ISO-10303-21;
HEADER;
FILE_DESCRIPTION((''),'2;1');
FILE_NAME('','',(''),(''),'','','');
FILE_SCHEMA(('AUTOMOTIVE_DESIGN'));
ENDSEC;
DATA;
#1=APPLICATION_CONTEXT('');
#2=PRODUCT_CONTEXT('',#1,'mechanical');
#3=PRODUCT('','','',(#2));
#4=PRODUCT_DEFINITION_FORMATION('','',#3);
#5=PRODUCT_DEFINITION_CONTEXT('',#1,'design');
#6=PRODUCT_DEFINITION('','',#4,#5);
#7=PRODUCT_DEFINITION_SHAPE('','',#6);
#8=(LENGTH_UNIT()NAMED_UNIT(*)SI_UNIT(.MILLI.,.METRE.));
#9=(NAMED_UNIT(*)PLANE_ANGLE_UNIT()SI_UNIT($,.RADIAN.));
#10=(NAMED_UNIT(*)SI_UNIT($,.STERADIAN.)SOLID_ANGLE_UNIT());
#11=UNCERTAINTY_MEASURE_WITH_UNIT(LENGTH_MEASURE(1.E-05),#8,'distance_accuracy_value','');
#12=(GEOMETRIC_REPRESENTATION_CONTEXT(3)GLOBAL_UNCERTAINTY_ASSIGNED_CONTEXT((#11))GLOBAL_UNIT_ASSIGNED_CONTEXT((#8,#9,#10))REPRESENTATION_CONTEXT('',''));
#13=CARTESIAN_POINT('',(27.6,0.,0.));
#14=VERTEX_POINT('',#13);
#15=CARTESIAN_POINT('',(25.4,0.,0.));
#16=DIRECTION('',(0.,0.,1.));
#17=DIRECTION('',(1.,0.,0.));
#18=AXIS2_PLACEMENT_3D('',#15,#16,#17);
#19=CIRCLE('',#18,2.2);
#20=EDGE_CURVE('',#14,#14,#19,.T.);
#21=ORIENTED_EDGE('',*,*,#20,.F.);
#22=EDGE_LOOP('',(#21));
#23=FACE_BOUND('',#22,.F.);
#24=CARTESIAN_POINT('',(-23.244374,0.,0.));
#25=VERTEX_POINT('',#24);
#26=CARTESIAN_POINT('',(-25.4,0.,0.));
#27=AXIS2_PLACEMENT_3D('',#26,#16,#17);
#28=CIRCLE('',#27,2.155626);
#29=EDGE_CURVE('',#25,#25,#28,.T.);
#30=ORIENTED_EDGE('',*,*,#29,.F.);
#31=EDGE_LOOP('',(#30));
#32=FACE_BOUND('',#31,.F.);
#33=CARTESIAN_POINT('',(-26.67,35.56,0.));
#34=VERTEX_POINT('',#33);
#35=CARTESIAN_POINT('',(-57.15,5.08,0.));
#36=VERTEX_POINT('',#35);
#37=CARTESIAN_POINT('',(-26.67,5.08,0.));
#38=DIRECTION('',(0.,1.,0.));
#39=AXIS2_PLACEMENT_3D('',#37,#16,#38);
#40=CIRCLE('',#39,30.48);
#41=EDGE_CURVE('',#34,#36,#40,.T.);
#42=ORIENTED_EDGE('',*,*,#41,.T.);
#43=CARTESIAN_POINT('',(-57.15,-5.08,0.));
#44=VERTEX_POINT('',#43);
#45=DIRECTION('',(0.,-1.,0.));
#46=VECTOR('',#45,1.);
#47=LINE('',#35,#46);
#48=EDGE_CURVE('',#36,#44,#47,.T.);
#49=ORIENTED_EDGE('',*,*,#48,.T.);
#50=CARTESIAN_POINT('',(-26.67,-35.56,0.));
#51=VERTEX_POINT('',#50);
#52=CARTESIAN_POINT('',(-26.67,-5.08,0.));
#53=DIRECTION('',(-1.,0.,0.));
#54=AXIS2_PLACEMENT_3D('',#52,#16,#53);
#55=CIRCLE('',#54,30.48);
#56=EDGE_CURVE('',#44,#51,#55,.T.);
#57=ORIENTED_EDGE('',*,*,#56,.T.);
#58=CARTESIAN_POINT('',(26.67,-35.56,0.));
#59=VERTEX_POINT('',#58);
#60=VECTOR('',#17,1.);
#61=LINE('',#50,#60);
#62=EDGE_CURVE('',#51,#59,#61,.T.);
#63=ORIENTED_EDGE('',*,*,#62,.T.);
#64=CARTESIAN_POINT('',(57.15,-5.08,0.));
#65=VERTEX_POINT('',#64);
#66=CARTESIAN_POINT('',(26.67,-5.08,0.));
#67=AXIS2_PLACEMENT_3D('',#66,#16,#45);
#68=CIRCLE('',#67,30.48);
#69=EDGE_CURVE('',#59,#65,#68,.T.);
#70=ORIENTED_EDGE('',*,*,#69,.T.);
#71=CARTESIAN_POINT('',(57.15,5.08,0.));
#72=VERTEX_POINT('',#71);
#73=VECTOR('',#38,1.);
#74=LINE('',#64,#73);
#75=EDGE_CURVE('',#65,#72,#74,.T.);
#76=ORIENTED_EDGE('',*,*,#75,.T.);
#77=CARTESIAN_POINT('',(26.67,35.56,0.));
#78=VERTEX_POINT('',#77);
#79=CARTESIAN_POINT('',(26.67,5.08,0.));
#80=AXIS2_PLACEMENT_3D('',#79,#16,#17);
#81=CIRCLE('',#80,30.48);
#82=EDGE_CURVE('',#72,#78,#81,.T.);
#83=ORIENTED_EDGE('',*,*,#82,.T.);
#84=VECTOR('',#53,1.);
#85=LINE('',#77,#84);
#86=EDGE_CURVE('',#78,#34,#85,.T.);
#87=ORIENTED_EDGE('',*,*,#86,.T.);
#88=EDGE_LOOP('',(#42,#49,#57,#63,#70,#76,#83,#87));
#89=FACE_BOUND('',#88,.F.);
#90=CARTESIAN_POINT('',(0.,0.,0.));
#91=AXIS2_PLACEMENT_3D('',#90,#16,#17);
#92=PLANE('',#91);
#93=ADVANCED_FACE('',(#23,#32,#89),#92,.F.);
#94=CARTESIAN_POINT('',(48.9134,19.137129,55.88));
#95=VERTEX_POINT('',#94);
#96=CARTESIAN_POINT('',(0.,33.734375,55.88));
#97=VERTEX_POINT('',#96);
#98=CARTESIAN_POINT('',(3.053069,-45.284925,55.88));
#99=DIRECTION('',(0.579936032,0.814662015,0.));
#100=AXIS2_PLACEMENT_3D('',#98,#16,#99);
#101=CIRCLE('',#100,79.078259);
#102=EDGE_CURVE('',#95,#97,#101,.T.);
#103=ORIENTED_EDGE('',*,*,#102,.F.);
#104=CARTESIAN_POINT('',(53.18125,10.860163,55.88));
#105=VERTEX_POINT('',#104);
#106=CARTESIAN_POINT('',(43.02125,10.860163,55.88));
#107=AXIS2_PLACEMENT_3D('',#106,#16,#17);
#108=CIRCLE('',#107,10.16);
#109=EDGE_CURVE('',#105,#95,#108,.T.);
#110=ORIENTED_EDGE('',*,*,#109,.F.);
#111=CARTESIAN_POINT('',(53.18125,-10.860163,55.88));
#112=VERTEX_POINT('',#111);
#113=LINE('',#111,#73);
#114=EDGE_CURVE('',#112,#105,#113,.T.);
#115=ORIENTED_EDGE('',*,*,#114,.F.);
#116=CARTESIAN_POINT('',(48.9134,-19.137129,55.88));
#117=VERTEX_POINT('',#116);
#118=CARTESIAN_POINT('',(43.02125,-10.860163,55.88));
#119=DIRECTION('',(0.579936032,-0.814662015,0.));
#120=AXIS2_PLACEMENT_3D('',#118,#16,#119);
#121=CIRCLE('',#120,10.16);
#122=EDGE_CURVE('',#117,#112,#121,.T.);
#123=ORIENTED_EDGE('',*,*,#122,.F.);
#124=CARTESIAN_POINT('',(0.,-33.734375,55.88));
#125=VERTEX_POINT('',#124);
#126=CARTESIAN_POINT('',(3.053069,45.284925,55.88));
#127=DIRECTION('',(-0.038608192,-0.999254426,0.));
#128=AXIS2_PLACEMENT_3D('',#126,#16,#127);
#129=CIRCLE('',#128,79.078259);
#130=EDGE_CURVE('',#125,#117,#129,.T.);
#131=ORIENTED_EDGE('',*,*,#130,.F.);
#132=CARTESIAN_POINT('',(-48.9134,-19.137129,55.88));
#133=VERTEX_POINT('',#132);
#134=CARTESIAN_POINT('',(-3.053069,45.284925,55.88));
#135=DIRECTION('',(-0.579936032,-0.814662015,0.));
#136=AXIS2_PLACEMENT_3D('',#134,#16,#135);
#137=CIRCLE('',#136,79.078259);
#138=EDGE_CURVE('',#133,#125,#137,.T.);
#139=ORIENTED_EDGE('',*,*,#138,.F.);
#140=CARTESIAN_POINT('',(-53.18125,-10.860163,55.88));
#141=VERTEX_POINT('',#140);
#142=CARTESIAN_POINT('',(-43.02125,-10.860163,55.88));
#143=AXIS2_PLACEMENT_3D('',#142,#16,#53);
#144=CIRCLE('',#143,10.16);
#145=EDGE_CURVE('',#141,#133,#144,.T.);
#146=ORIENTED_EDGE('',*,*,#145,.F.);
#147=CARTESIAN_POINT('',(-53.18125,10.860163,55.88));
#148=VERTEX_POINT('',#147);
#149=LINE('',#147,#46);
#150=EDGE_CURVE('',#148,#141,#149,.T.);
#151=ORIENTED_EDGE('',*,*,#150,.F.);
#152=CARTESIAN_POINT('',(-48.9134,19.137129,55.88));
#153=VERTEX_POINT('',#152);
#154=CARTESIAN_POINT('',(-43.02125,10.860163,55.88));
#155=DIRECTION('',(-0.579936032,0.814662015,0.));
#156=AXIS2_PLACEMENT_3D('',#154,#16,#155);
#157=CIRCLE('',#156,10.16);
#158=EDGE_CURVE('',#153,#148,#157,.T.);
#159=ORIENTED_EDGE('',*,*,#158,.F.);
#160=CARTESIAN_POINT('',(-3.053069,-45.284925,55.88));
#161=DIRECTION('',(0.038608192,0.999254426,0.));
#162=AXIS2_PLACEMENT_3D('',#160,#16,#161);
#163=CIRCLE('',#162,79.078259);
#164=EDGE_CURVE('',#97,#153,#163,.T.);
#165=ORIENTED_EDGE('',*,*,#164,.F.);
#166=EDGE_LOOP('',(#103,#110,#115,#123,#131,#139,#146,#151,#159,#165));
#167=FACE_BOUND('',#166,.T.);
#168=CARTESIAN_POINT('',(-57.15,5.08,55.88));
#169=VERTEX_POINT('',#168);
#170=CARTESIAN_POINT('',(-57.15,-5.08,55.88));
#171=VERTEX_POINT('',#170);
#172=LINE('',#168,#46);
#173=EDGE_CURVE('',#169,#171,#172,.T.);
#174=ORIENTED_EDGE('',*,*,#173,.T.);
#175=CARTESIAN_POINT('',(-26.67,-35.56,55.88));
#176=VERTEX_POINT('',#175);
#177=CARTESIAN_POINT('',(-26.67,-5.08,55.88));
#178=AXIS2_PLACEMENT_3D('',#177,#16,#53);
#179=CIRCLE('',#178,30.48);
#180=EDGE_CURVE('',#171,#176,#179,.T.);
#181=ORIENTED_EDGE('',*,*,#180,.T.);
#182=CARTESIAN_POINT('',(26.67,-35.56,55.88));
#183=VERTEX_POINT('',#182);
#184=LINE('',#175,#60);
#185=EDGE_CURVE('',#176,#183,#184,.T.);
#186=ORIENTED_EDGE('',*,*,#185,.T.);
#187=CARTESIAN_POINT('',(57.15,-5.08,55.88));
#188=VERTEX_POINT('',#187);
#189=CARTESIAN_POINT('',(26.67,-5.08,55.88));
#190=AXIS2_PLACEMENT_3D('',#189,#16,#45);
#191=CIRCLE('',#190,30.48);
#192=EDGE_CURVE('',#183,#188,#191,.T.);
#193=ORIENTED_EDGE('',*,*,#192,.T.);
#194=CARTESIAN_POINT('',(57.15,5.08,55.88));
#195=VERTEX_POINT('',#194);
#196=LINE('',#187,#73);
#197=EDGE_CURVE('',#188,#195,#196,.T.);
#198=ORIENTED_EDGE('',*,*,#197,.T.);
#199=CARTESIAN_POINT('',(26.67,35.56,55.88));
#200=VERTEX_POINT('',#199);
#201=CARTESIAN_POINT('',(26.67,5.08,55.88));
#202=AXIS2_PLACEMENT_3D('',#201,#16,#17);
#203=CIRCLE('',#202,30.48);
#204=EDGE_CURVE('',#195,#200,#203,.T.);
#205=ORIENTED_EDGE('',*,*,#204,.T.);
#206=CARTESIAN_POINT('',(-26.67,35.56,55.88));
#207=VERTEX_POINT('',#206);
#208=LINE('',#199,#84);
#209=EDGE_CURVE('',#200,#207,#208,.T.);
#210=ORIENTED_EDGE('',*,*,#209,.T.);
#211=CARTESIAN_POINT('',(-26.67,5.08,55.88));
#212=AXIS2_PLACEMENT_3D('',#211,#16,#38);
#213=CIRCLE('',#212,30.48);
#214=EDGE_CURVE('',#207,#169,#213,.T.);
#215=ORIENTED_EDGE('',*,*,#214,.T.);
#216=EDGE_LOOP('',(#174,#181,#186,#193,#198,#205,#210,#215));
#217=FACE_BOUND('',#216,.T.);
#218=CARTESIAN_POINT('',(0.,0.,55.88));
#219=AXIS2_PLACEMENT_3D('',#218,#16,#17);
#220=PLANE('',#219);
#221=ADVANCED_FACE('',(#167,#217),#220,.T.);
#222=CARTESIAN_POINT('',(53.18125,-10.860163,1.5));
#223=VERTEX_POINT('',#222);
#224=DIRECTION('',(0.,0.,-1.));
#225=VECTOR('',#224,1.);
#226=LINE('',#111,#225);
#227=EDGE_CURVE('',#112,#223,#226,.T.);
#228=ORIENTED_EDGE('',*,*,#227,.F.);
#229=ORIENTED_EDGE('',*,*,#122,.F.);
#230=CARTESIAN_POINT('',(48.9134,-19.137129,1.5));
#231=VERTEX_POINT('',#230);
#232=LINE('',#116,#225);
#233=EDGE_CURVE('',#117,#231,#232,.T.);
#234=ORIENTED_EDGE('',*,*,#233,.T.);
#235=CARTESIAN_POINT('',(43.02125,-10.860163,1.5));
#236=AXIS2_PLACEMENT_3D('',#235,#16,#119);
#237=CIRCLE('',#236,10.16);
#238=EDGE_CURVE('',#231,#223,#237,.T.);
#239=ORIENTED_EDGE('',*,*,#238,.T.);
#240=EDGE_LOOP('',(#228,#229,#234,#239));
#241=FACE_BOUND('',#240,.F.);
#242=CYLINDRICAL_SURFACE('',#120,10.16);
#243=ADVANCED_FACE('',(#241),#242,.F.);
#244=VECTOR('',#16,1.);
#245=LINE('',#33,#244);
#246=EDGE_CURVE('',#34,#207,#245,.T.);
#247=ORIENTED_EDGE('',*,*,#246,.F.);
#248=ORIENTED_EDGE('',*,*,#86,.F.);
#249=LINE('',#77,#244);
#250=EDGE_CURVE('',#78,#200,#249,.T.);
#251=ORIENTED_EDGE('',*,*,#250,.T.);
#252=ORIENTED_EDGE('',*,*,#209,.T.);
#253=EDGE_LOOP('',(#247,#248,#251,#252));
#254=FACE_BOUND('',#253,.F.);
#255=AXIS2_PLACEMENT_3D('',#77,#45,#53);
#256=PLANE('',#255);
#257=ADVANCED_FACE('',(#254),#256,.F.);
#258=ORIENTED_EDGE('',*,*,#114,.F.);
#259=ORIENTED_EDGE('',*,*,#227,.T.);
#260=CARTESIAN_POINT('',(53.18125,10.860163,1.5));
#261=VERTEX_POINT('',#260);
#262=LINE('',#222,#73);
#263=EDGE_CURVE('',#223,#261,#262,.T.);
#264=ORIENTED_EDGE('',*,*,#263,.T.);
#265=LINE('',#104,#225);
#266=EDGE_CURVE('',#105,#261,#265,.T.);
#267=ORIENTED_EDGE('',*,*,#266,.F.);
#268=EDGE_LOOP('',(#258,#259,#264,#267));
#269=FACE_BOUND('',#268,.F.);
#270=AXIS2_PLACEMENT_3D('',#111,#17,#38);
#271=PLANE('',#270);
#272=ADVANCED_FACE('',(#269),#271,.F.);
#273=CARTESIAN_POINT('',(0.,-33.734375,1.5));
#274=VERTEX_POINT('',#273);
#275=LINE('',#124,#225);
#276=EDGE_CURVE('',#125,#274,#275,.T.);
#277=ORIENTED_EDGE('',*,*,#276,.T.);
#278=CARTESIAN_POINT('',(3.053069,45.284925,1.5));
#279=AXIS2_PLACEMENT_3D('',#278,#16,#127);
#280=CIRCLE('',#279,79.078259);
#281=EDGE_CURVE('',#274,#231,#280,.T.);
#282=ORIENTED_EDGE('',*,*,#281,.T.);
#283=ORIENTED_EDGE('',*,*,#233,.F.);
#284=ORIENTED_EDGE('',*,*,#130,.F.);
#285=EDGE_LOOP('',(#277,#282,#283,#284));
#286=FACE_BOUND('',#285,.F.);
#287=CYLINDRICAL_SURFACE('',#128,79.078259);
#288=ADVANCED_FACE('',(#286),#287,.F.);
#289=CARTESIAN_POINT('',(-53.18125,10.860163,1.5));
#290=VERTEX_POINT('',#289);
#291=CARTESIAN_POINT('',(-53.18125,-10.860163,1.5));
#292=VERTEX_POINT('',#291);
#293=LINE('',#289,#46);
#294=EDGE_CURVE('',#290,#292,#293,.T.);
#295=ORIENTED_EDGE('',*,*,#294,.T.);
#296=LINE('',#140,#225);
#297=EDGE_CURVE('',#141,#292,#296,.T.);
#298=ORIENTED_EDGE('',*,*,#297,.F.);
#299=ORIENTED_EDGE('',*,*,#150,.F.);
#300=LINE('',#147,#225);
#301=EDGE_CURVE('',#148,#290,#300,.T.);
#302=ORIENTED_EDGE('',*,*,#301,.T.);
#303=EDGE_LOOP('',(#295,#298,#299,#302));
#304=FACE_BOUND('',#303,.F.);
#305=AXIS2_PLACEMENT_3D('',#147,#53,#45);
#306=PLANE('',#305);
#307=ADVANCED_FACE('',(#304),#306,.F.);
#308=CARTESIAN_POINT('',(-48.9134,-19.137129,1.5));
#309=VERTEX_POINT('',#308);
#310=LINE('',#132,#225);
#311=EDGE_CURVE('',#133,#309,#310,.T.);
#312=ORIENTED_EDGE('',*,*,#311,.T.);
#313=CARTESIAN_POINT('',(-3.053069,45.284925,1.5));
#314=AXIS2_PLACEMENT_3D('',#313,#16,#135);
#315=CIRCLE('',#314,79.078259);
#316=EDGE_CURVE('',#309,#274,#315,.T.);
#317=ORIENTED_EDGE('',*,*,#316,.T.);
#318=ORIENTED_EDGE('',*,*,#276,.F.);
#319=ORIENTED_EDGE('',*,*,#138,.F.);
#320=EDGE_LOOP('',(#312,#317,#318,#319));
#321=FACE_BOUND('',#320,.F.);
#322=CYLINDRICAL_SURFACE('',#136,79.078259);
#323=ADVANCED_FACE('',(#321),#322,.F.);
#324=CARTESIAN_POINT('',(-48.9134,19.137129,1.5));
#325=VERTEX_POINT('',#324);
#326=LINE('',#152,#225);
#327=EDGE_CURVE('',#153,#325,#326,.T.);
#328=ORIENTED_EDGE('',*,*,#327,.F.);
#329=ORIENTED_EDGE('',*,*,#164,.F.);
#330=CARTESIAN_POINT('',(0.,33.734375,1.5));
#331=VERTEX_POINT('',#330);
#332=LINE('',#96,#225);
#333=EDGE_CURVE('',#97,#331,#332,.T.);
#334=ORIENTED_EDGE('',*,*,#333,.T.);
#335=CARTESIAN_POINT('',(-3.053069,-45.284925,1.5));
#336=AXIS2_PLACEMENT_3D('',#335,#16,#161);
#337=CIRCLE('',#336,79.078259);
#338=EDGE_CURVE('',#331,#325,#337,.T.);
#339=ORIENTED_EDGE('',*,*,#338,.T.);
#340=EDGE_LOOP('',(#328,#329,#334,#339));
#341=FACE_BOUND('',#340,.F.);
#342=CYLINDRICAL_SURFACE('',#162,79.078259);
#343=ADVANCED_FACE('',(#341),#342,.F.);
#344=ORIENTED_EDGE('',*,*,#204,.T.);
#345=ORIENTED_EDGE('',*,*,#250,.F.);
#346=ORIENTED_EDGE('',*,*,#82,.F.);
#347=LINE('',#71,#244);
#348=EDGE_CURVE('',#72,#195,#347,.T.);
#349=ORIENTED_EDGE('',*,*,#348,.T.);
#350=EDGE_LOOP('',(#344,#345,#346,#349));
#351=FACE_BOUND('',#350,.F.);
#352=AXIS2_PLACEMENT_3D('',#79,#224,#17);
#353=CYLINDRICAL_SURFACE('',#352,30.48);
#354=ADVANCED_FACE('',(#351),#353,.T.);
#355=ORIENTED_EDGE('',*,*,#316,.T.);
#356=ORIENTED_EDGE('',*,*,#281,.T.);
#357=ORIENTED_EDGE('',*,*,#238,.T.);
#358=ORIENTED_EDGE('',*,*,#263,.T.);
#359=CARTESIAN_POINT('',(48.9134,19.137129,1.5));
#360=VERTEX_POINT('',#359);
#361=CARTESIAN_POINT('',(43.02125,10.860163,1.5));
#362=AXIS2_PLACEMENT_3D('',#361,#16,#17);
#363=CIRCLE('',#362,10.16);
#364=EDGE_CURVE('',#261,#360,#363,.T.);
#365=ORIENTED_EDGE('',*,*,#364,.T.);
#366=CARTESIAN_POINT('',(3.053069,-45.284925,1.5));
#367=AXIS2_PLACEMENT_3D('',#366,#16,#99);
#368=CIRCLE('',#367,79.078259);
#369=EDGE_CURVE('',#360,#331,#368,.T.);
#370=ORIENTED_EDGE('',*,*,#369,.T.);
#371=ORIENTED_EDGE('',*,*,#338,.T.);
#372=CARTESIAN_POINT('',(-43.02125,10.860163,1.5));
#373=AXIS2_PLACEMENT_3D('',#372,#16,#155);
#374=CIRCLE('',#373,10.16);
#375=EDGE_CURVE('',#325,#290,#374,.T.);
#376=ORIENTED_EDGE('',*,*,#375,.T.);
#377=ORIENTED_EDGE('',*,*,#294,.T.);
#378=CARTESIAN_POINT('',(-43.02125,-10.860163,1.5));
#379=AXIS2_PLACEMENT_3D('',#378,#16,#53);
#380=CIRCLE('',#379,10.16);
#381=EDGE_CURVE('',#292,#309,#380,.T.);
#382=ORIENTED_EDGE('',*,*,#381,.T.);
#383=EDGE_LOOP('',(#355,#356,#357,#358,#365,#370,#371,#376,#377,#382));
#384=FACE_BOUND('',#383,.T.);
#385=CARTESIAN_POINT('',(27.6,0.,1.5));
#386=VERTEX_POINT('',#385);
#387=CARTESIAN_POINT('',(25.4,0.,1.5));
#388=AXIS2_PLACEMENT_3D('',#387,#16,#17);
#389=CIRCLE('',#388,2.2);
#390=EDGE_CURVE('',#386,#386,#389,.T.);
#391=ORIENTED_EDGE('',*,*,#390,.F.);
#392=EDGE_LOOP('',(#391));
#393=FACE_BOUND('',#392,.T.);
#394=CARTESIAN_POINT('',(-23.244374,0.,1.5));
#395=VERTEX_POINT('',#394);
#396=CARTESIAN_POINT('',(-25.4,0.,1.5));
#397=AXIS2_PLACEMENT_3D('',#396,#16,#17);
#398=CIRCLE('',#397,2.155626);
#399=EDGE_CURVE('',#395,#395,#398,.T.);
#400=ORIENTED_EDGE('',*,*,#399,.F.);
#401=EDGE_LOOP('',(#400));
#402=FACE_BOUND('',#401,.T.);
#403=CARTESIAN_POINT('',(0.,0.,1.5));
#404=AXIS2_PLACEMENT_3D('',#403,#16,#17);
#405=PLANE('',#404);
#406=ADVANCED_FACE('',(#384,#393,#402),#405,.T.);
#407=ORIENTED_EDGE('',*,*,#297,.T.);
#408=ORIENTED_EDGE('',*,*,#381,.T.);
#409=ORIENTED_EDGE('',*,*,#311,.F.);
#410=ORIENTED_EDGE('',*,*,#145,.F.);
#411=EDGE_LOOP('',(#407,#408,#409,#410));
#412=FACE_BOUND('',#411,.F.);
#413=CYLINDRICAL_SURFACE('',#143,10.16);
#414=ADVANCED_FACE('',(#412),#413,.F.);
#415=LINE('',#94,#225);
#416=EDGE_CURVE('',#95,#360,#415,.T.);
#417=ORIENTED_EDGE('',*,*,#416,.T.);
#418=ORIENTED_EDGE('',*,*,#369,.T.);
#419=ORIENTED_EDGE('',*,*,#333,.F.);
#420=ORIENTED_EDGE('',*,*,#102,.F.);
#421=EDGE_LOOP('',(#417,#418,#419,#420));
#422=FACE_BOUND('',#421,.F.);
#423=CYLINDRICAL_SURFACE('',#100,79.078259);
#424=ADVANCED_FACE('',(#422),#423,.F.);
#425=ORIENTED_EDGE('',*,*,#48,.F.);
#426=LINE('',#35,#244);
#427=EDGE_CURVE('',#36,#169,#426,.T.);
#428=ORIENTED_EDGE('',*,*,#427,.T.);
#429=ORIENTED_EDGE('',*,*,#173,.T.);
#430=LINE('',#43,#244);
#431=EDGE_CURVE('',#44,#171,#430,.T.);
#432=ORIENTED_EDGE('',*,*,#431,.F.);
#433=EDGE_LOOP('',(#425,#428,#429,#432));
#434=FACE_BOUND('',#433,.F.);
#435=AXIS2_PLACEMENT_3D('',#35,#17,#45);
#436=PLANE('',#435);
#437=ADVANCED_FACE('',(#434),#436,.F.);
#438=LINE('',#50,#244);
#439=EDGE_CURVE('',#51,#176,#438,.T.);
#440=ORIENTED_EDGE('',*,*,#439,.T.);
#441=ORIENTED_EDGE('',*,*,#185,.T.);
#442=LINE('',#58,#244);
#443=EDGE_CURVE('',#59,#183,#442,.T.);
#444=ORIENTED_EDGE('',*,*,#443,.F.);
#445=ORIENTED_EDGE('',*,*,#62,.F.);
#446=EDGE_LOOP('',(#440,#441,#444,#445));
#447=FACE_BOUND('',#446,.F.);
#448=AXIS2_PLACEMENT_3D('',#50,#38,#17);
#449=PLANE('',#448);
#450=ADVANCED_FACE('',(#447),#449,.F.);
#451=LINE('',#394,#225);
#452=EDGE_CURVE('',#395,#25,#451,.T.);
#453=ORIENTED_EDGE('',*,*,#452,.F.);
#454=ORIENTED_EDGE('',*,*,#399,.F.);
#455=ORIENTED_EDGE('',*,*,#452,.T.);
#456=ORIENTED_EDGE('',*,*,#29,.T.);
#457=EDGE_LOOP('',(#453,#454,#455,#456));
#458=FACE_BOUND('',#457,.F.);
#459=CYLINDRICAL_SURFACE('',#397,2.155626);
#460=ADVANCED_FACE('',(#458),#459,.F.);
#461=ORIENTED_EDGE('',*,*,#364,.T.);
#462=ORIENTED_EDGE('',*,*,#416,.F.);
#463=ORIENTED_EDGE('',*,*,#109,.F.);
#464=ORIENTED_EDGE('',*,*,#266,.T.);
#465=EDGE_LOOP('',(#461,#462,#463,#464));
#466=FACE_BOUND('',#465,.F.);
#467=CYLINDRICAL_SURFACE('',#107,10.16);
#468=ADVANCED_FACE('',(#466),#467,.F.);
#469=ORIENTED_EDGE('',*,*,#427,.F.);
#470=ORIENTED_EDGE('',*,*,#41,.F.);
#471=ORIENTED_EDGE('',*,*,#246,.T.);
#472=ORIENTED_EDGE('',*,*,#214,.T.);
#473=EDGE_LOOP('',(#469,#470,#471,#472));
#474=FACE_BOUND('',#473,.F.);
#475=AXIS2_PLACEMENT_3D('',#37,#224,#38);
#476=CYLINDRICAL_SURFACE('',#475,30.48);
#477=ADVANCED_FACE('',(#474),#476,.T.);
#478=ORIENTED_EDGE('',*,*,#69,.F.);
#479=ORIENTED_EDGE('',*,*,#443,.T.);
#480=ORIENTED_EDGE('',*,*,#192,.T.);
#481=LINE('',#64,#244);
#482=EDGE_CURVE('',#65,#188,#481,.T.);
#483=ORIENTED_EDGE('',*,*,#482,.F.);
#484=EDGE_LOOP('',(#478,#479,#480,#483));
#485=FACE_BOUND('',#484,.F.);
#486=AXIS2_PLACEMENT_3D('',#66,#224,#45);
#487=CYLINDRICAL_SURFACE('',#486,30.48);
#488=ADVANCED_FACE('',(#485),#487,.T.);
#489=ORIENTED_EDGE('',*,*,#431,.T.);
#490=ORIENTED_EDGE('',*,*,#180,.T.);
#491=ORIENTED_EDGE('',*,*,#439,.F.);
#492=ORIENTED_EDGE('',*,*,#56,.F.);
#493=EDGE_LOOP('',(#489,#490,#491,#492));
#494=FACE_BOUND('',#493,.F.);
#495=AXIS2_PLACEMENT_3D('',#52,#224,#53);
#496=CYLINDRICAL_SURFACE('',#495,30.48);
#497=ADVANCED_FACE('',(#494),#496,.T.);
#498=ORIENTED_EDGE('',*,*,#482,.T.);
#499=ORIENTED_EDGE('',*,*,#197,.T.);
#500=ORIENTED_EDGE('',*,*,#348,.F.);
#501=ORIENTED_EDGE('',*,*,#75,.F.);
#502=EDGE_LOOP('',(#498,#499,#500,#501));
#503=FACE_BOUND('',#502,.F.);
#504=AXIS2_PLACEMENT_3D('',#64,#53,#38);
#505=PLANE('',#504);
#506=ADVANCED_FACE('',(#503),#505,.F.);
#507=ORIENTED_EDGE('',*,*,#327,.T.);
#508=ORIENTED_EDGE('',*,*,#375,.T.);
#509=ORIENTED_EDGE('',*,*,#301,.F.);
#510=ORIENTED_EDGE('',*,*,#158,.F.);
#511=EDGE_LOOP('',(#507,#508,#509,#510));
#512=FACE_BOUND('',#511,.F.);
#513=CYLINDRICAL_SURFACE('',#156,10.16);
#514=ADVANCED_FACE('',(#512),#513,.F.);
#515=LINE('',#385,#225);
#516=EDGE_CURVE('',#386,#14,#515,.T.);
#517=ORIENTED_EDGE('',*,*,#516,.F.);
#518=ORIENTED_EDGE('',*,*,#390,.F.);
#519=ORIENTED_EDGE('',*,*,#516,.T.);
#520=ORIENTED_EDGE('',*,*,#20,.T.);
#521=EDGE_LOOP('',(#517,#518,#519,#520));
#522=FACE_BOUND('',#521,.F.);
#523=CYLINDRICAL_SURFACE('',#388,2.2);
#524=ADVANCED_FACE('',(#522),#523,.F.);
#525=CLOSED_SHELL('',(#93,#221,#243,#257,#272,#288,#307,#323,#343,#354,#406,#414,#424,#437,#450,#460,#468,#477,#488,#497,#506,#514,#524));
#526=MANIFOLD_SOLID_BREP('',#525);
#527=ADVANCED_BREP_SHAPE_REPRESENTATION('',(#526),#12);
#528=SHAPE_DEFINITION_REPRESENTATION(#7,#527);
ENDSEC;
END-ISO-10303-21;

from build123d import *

# Parameters (mm, degrees)
F1_DEPTH = 55.88
F3_DEPTH = 54.38
F4_R     = 2.1556257218
F4_R_2   = 2.2
F5_DEPTH = 1.501


with BuildPart() as f1:
    # F0 (on Top) → F1 (new body)
    with BuildSketch(Plane.XY):
        with BuildLine():
            Line((26.67, 35.56), (-26.67, 35.56))
            ThreePointArc((-26.67, 35.56), (-48.2226146906, 26.6326146906), (-57.15, 5.08))
            Line((-57.15, 5.08), (-57.15, -5.08))
            ThreePointArc((-57.15, -5.08), (-48.2226146906, -26.6326146906), (-26.67, -35.56))
            Line((-26.67, -35.56), (26.67, -35.56))
            ThreePointArc((26.67, -35.56), (48.2226146906, -26.6326146906), (57.15, -5.08))
            Line((57.15, -5.08), (57.15, 5.08))
            ThreePointArc((57.15, 5.08), (48.2226146906, 26.6326146906), (26.67, 35.56))
        make_face()
    extrude(amount=F1_DEPTH)

    # F2 (on face) → F3 (cut, through all)
    with BuildSketch(Plane.XY.offset(55.88)):
        with BuildLine():
            ThreePointArc((48.9134000813, 19.1371286276), (25.6668993073, 30.4909660232), (0, 33.734375))
            ThreePointArc((0, 33.734375), (-25.6668993073, 30.4909660232), (-48.9134000813, 19.1371286276))
            ThreePointArc((-48.9134000813, 19.1371286276), (-52.0514727222, 15.5164140041), (-53.18125, 10.8601625518))
            Line((-53.18125, 10.8601625518), (-53.18125, 0))
            Line((-53.18125, 0), (-53.18125, -10.8601625518))
            ThreePointArc((-53.18125, -10.8601625518), (-52.0514727222, -15.5164140041), (-48.9134000813, -19.1371286276))
            ThreePointArc((-48.9134000813, -19.1371286276), (-25.6668993073, -30.4909660232), (0, -33.734375))
            ThreePointArc((0, -33.734375), (25.6668993073, -30.4909660232), (48.9134000813, -19.1371286276))
            ThreePointArc((48.9134000813, -19.1371286276), (52.0514727222, -15.5164140041), (53.18125, -10.8601625518))
            Line((53.18125, -10.8601625518), (53.18125, 0))
            Line((53.18125, 0), (53.18125, 10.8601625518))
            ThreePointArc((53.18125, 10.8601625518), (52.0514727222, 15.5164140041), (48.9134000813, 19.1371286276))
        make_face()
    extrude(amount=-F3_DEPTH, mode=Mode.SUBTRACT)

    # F4 (on face) → F5 (cut, through all)
    with BuildSketch(Plane.XY.offset(1.5)):
        with Locations((-25.4, 0)):
            Circle(F4_R)
        with Locations((25.4, 0)):
            Circle(F4_R_2)
    extrude(amount=-F5_DEPTH, mode=Mode.SUBTRACT)


solid = f1.part
